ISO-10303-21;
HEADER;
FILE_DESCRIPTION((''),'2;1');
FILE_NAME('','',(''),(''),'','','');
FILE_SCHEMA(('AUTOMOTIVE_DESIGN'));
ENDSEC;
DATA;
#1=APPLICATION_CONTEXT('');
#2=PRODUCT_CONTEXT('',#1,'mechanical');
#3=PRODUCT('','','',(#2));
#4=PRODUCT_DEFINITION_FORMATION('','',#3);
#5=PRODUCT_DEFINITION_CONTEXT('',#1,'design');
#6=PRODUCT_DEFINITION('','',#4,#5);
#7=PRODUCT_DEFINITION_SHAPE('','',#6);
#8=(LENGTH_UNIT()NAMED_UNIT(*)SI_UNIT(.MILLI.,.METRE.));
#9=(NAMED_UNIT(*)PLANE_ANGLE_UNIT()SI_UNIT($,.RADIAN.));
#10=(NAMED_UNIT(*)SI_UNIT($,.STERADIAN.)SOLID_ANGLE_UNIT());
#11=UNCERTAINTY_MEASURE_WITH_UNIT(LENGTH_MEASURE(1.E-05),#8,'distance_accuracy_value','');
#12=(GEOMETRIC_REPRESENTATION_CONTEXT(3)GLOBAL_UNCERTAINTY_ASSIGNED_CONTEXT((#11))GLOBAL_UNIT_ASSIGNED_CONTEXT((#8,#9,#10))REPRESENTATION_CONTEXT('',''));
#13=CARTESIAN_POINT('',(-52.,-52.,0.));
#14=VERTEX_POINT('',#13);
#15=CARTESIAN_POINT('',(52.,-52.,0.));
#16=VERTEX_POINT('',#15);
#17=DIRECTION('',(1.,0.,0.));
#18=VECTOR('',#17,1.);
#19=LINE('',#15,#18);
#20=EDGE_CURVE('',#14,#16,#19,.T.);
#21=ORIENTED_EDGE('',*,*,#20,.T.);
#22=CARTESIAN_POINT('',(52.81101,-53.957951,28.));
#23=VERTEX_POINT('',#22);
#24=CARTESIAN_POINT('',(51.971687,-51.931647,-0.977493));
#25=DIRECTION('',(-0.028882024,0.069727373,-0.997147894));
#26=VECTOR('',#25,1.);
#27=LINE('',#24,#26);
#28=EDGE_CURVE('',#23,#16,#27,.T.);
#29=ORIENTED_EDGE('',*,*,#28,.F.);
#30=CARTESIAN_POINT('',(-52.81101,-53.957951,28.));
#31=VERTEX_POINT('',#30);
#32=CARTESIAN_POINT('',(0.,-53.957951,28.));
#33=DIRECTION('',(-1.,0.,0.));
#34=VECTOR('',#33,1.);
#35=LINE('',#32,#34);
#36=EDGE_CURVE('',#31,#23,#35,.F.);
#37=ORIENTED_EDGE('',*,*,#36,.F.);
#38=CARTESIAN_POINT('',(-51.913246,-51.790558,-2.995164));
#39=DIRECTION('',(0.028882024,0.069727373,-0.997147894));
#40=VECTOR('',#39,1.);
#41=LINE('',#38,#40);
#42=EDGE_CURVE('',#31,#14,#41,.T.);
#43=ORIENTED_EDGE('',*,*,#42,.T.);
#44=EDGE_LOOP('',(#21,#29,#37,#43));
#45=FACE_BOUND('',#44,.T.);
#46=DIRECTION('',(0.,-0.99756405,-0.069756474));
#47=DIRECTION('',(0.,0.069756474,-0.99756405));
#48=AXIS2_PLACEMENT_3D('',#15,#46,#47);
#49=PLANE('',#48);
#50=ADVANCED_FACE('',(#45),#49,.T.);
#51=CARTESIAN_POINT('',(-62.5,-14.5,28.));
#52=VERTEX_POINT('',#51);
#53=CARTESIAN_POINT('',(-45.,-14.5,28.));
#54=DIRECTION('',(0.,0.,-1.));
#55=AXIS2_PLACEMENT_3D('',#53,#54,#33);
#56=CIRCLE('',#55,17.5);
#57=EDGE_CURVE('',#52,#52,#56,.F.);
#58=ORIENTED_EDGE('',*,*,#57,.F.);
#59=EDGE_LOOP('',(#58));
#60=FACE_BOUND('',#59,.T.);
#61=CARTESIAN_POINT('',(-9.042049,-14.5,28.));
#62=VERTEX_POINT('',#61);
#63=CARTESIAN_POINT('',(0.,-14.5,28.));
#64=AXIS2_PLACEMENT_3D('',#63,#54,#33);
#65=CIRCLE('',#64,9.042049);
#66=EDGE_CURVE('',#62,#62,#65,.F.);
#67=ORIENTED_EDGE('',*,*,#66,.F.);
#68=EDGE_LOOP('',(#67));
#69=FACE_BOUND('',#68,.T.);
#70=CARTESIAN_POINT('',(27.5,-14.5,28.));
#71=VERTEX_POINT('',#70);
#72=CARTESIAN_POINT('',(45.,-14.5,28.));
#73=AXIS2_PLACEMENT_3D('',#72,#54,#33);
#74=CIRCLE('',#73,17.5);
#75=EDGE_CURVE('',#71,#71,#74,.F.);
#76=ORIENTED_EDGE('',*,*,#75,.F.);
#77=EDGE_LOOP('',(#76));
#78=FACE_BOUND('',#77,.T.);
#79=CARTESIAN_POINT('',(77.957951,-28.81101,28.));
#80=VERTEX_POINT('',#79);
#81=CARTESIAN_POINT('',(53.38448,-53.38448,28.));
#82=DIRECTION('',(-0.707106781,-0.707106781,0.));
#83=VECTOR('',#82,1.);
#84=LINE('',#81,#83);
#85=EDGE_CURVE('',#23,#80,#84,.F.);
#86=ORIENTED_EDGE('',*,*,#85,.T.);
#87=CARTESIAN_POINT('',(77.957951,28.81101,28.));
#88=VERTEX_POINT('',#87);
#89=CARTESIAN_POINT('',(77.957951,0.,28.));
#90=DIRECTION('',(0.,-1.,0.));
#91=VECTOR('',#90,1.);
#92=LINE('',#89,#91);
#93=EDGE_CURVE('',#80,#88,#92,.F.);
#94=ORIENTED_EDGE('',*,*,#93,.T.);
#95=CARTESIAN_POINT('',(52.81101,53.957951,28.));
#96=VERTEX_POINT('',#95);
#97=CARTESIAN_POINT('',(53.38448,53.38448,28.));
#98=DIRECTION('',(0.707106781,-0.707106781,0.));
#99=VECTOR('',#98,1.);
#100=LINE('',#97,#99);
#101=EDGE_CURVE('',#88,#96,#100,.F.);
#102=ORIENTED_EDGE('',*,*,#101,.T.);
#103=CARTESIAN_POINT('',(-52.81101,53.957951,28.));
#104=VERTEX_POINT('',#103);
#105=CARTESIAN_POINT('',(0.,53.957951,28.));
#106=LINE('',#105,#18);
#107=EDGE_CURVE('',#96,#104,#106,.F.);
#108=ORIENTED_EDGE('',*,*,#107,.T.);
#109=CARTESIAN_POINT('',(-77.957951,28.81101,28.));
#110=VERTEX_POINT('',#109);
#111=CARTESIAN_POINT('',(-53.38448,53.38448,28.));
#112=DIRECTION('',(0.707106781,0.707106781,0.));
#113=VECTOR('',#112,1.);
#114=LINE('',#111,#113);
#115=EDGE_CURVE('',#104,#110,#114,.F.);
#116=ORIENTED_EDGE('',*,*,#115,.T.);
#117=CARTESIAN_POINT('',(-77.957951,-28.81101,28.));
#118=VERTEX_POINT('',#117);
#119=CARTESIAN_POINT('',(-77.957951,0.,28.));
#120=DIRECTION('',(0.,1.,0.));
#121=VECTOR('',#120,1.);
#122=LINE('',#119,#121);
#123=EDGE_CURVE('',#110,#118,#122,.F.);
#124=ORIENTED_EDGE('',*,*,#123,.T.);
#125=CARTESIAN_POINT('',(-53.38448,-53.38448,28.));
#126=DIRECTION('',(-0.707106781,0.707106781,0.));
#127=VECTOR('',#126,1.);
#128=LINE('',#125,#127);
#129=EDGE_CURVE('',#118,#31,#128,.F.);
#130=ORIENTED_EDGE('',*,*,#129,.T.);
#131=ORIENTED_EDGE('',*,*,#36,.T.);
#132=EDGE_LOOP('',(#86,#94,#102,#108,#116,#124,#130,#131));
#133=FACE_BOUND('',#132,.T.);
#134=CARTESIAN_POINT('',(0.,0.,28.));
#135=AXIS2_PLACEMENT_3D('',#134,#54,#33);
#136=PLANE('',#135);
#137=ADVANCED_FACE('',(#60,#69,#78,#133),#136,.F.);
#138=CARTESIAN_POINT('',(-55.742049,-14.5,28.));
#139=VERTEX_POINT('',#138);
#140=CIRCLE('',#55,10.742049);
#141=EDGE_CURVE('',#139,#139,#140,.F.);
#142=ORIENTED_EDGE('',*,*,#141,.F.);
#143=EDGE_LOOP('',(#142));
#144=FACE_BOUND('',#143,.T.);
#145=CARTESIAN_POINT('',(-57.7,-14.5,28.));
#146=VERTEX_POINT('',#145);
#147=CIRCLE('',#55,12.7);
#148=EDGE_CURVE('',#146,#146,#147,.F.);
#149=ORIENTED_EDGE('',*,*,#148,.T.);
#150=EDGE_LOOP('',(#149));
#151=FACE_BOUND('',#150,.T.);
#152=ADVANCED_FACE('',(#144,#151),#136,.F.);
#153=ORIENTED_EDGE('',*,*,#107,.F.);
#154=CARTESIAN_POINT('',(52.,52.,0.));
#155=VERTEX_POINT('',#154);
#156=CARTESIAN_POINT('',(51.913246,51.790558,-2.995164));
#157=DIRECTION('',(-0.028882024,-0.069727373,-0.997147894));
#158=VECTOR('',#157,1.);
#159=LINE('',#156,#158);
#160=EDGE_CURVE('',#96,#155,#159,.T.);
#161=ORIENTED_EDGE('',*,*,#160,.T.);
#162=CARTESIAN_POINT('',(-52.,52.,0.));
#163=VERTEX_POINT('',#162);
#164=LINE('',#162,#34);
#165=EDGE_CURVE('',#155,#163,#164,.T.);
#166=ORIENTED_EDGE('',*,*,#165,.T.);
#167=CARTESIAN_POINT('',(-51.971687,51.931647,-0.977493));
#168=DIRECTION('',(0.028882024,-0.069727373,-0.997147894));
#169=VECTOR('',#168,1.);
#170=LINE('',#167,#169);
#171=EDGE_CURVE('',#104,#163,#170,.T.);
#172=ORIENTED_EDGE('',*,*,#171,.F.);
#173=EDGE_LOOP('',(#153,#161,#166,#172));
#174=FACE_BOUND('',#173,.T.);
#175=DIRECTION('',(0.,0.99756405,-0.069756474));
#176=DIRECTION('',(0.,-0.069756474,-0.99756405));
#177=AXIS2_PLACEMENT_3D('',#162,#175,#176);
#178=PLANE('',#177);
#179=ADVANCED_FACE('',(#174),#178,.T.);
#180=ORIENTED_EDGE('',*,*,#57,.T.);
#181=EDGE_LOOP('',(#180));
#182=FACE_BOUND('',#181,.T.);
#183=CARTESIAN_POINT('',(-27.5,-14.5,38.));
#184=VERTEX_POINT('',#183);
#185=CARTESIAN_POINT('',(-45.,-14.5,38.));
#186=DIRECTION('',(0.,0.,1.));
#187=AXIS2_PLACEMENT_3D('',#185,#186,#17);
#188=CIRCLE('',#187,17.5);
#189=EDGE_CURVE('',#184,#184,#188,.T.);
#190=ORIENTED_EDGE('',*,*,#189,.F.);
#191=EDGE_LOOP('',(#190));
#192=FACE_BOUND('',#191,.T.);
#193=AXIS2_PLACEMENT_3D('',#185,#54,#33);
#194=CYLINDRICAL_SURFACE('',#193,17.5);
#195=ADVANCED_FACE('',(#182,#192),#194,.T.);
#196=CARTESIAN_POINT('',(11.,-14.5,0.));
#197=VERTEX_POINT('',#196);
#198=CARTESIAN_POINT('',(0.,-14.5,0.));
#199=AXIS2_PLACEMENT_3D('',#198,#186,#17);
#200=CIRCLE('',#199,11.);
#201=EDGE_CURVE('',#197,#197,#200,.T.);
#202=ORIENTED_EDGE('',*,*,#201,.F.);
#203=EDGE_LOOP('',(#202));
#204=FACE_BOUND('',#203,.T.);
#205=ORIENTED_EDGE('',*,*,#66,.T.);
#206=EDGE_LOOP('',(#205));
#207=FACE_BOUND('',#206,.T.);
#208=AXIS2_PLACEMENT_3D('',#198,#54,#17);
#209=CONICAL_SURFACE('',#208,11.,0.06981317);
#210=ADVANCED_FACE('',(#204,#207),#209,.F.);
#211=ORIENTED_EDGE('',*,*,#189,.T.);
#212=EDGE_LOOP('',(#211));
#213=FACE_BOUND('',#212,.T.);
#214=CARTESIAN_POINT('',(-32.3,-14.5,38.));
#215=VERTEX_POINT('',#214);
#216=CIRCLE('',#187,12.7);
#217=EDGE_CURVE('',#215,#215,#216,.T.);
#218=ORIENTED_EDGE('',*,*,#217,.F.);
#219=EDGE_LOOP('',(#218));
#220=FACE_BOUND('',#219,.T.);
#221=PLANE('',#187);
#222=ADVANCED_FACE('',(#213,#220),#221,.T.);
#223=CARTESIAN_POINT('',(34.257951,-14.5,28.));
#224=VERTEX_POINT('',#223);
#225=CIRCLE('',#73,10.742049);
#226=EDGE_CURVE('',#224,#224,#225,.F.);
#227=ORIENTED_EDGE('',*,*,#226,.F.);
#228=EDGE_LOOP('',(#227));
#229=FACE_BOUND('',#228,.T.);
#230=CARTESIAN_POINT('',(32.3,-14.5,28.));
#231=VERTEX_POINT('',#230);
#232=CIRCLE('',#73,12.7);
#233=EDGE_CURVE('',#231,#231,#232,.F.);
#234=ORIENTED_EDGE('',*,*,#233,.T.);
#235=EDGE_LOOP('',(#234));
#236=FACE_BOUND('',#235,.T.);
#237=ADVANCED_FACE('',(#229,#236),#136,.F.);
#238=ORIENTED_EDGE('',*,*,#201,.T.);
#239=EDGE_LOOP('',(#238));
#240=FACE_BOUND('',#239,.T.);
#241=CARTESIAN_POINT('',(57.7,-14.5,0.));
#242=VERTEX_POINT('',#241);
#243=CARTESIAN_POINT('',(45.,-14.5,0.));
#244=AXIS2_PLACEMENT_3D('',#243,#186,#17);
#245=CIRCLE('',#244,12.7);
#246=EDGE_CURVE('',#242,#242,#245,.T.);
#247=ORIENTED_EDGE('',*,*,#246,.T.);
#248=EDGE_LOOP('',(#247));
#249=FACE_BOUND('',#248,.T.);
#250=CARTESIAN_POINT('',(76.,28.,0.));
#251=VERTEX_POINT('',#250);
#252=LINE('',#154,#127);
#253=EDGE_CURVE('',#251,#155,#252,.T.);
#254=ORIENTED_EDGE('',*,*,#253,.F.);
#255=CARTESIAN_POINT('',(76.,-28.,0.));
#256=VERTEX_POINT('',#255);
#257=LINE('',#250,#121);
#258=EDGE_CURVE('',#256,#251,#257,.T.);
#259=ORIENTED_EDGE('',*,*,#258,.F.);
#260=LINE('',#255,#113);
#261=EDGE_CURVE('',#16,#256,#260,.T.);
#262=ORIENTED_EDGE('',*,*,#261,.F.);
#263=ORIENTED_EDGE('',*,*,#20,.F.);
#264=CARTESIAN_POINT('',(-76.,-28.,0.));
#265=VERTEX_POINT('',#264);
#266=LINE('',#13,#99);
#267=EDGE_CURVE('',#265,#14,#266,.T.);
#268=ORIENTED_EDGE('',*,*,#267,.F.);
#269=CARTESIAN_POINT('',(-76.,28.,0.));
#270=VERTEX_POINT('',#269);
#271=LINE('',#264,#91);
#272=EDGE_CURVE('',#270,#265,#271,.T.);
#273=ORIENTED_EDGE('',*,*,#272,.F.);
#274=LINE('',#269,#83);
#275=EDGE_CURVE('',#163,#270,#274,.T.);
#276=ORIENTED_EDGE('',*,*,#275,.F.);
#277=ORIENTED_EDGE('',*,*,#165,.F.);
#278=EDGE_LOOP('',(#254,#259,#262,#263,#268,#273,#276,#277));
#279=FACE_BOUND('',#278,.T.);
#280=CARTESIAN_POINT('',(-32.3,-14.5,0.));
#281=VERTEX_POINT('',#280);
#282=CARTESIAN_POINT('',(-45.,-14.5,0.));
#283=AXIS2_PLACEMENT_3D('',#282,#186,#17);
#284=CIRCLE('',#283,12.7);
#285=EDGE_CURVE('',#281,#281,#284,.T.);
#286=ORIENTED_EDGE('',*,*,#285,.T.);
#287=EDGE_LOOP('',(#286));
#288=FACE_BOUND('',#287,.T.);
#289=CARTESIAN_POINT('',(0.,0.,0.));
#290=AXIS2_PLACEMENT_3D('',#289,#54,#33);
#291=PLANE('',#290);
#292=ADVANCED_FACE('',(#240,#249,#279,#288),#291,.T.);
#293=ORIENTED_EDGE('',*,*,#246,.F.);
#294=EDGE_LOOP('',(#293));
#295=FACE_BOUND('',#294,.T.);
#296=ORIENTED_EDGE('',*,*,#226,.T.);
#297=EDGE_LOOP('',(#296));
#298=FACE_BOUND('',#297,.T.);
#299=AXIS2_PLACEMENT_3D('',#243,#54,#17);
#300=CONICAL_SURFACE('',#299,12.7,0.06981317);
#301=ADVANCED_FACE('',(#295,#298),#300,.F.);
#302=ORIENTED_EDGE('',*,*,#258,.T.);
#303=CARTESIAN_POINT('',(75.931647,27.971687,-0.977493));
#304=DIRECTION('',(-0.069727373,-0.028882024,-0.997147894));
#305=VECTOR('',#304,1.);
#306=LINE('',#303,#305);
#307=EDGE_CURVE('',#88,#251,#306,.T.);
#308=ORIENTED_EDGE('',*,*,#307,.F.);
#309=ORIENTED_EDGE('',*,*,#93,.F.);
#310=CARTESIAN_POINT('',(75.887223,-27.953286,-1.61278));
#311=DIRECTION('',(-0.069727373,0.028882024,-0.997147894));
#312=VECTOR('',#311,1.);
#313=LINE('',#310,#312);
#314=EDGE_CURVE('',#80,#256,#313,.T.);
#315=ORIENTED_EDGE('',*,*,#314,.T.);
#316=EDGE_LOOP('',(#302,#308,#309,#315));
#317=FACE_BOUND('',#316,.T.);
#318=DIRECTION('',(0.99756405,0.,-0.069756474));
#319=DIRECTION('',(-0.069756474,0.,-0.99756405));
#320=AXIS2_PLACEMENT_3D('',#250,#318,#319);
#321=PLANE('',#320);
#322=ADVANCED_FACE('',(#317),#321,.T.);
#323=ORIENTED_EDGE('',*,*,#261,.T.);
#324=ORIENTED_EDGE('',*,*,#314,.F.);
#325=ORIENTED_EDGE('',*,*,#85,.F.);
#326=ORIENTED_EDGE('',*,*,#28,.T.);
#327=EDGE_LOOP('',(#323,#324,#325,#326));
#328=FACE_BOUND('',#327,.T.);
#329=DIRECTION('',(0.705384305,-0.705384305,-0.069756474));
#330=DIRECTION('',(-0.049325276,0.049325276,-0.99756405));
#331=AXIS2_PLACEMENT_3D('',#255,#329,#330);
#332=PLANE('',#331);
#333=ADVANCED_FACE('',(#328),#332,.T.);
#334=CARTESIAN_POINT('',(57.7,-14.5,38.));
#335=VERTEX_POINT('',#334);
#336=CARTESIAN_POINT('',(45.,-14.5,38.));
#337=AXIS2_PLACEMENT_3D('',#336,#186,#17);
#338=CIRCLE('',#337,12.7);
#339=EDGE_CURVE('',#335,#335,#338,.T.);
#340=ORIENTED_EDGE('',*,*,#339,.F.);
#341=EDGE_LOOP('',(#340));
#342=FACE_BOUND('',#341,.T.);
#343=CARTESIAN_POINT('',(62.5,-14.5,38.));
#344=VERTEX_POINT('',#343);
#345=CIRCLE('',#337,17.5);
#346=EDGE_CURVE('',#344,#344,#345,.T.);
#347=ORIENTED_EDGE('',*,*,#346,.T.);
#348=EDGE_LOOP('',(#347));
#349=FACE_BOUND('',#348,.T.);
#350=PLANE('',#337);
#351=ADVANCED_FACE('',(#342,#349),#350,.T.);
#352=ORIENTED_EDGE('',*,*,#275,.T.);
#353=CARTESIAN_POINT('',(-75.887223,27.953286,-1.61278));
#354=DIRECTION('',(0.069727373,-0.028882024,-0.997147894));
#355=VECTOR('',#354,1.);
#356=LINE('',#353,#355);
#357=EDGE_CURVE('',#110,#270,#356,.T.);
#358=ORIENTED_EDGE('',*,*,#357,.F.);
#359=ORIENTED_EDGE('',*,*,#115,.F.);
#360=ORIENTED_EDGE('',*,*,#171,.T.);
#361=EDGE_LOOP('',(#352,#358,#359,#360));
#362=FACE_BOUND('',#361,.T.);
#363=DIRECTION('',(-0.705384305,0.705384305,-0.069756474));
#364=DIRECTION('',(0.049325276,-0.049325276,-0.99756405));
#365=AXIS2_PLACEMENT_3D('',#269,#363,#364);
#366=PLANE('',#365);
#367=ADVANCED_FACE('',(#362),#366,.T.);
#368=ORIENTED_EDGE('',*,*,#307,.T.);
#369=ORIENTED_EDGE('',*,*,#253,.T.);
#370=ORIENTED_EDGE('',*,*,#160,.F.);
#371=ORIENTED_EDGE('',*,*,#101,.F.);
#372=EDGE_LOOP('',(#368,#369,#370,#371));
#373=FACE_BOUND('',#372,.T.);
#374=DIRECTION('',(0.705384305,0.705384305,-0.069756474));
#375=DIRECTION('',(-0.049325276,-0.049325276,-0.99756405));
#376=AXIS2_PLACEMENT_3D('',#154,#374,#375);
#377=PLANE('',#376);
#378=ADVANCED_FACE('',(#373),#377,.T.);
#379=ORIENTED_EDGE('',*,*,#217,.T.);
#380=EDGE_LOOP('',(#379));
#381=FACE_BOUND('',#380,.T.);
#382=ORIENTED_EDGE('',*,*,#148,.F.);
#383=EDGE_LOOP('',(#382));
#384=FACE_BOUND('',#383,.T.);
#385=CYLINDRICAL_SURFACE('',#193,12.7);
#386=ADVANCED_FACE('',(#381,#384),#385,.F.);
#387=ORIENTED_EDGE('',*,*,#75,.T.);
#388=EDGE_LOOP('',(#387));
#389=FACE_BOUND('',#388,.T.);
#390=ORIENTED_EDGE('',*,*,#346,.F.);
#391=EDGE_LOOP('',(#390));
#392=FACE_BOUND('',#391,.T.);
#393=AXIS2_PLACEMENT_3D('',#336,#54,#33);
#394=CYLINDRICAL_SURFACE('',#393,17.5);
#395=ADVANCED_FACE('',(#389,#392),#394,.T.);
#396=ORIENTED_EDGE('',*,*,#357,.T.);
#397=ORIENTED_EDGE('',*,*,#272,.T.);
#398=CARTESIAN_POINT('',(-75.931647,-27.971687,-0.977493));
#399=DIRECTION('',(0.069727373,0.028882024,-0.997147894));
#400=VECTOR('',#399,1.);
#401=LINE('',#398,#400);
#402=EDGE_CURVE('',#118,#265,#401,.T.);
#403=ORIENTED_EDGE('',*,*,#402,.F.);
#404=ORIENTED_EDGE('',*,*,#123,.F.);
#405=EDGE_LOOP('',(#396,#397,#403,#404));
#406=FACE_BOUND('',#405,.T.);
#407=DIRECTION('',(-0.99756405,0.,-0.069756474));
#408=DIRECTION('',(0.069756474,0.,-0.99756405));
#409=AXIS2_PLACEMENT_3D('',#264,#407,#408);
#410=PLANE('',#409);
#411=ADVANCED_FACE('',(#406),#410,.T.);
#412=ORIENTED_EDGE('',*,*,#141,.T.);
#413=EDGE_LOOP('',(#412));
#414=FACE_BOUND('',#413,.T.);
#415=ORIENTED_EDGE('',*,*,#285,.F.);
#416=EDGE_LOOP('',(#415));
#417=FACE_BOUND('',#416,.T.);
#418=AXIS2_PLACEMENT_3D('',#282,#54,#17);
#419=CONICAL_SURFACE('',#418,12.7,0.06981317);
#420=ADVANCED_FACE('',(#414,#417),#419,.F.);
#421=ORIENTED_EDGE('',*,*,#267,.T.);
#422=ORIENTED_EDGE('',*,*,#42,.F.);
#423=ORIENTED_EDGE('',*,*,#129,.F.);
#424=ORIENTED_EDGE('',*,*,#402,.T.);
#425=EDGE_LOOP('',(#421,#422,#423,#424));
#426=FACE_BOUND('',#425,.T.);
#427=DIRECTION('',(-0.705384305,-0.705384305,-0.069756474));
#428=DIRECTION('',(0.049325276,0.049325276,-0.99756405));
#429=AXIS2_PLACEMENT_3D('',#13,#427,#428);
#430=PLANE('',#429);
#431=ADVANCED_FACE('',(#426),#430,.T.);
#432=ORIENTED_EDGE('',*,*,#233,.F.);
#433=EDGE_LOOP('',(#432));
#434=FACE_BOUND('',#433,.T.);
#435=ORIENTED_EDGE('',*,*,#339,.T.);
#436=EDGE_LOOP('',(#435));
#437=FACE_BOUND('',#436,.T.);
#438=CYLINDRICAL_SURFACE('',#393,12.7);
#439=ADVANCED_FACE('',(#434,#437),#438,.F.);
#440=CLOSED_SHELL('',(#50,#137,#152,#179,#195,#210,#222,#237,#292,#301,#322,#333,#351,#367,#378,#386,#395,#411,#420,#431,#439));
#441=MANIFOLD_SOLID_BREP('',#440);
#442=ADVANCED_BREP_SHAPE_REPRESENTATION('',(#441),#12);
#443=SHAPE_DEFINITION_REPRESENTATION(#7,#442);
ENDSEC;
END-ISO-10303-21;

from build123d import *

# Parameters (mm, degrees)
SKETCH1_R           = 12.7
SKETCH1_R_2         = 11
BOSS_EXTRUDE1_DEPTH = 28
BOSS_EXTRUDE1_DRAFT = -4
SKETCH2_R           = 17.5
SKETCH2_R_2         = 12.7
BOSS_EXTRUDE2_DEPTH = 38


with BuildPart() as part:
    # Sketch1 → Boss-Extrude1 (with draft: the straight prism first)
    with BuildSketch(Plane.XY):
        Polygon((-52, 52), (-76, 28), (-76, -28), (-52, -52), (52, -52), (76, -28), (76, 28), (52, 52), align=None)
        with Locations((-45, -14.5)):
            Circle(SKETCH1_R, mode=Mode.SUBTRACT)
        with Locations((45, -14.5)):
            Circle(SKETCH1_R, mode=Mode.SUBTRACT)
        with Locations((0, -14.5)):
            Circle(SKETCH1_R_2, mode=Mode.SUBTRACT)
    extrude(amount=BOSS_EXTRUDE1_DEPTH)
    # Boss-Extrude1: the draft: its side faces are tilted about the plane it starts from
    boss_extrude1_sides = [part.faces().sort_by_distance(p)[0] for p in [
        (-64, 40, 14),
        (-76, 0, 14),
        (-64, -40, 14),
        (0, -52, 14),
        (64, -40, 14),
        (76, 0, 14),
        (64, 40, 14),
        (0, 52, 14),
        (-57.7, -14.5, 14),
        (32.3, -14.5, 14),
        (-11, -14.5, 14),
    ]]
    draft(boss_extrude1_sides, Plane.XY, BOSS_EXTRUDE1_DRAFT)

    # Sketch2 → Boss-Extrude2 (add)
    # profile 1 of 2: a face of its own
    with BuildSketch(Plane.XY):
        with Locations(Location((-45, -14.5, 0), (0, 0, 180))):
            Circle(SKETCH2_R)
        with Locations(Location((-45, -14.5, 0), (0, 0, 180))):
            Circle(SKETCH2_R_2, mode=Mode.SUBTRACT)
    # profile 2 of 2: a face of its own
    with BuildSketch(Plane.XY):
        with Locations(Location((45, -14.5, 0), (0, 0, 180))):
            Circle(SKETCH2_R)
        with Locations(Location((45, -14.5, 0), (0, 0, 180))):
            Circle(SKETCH2_R_2, mode=Mode.SUBTRACT)
    extrude(amount=BOSS_EXTRUDE2_DEPTH)


solid = part.part
